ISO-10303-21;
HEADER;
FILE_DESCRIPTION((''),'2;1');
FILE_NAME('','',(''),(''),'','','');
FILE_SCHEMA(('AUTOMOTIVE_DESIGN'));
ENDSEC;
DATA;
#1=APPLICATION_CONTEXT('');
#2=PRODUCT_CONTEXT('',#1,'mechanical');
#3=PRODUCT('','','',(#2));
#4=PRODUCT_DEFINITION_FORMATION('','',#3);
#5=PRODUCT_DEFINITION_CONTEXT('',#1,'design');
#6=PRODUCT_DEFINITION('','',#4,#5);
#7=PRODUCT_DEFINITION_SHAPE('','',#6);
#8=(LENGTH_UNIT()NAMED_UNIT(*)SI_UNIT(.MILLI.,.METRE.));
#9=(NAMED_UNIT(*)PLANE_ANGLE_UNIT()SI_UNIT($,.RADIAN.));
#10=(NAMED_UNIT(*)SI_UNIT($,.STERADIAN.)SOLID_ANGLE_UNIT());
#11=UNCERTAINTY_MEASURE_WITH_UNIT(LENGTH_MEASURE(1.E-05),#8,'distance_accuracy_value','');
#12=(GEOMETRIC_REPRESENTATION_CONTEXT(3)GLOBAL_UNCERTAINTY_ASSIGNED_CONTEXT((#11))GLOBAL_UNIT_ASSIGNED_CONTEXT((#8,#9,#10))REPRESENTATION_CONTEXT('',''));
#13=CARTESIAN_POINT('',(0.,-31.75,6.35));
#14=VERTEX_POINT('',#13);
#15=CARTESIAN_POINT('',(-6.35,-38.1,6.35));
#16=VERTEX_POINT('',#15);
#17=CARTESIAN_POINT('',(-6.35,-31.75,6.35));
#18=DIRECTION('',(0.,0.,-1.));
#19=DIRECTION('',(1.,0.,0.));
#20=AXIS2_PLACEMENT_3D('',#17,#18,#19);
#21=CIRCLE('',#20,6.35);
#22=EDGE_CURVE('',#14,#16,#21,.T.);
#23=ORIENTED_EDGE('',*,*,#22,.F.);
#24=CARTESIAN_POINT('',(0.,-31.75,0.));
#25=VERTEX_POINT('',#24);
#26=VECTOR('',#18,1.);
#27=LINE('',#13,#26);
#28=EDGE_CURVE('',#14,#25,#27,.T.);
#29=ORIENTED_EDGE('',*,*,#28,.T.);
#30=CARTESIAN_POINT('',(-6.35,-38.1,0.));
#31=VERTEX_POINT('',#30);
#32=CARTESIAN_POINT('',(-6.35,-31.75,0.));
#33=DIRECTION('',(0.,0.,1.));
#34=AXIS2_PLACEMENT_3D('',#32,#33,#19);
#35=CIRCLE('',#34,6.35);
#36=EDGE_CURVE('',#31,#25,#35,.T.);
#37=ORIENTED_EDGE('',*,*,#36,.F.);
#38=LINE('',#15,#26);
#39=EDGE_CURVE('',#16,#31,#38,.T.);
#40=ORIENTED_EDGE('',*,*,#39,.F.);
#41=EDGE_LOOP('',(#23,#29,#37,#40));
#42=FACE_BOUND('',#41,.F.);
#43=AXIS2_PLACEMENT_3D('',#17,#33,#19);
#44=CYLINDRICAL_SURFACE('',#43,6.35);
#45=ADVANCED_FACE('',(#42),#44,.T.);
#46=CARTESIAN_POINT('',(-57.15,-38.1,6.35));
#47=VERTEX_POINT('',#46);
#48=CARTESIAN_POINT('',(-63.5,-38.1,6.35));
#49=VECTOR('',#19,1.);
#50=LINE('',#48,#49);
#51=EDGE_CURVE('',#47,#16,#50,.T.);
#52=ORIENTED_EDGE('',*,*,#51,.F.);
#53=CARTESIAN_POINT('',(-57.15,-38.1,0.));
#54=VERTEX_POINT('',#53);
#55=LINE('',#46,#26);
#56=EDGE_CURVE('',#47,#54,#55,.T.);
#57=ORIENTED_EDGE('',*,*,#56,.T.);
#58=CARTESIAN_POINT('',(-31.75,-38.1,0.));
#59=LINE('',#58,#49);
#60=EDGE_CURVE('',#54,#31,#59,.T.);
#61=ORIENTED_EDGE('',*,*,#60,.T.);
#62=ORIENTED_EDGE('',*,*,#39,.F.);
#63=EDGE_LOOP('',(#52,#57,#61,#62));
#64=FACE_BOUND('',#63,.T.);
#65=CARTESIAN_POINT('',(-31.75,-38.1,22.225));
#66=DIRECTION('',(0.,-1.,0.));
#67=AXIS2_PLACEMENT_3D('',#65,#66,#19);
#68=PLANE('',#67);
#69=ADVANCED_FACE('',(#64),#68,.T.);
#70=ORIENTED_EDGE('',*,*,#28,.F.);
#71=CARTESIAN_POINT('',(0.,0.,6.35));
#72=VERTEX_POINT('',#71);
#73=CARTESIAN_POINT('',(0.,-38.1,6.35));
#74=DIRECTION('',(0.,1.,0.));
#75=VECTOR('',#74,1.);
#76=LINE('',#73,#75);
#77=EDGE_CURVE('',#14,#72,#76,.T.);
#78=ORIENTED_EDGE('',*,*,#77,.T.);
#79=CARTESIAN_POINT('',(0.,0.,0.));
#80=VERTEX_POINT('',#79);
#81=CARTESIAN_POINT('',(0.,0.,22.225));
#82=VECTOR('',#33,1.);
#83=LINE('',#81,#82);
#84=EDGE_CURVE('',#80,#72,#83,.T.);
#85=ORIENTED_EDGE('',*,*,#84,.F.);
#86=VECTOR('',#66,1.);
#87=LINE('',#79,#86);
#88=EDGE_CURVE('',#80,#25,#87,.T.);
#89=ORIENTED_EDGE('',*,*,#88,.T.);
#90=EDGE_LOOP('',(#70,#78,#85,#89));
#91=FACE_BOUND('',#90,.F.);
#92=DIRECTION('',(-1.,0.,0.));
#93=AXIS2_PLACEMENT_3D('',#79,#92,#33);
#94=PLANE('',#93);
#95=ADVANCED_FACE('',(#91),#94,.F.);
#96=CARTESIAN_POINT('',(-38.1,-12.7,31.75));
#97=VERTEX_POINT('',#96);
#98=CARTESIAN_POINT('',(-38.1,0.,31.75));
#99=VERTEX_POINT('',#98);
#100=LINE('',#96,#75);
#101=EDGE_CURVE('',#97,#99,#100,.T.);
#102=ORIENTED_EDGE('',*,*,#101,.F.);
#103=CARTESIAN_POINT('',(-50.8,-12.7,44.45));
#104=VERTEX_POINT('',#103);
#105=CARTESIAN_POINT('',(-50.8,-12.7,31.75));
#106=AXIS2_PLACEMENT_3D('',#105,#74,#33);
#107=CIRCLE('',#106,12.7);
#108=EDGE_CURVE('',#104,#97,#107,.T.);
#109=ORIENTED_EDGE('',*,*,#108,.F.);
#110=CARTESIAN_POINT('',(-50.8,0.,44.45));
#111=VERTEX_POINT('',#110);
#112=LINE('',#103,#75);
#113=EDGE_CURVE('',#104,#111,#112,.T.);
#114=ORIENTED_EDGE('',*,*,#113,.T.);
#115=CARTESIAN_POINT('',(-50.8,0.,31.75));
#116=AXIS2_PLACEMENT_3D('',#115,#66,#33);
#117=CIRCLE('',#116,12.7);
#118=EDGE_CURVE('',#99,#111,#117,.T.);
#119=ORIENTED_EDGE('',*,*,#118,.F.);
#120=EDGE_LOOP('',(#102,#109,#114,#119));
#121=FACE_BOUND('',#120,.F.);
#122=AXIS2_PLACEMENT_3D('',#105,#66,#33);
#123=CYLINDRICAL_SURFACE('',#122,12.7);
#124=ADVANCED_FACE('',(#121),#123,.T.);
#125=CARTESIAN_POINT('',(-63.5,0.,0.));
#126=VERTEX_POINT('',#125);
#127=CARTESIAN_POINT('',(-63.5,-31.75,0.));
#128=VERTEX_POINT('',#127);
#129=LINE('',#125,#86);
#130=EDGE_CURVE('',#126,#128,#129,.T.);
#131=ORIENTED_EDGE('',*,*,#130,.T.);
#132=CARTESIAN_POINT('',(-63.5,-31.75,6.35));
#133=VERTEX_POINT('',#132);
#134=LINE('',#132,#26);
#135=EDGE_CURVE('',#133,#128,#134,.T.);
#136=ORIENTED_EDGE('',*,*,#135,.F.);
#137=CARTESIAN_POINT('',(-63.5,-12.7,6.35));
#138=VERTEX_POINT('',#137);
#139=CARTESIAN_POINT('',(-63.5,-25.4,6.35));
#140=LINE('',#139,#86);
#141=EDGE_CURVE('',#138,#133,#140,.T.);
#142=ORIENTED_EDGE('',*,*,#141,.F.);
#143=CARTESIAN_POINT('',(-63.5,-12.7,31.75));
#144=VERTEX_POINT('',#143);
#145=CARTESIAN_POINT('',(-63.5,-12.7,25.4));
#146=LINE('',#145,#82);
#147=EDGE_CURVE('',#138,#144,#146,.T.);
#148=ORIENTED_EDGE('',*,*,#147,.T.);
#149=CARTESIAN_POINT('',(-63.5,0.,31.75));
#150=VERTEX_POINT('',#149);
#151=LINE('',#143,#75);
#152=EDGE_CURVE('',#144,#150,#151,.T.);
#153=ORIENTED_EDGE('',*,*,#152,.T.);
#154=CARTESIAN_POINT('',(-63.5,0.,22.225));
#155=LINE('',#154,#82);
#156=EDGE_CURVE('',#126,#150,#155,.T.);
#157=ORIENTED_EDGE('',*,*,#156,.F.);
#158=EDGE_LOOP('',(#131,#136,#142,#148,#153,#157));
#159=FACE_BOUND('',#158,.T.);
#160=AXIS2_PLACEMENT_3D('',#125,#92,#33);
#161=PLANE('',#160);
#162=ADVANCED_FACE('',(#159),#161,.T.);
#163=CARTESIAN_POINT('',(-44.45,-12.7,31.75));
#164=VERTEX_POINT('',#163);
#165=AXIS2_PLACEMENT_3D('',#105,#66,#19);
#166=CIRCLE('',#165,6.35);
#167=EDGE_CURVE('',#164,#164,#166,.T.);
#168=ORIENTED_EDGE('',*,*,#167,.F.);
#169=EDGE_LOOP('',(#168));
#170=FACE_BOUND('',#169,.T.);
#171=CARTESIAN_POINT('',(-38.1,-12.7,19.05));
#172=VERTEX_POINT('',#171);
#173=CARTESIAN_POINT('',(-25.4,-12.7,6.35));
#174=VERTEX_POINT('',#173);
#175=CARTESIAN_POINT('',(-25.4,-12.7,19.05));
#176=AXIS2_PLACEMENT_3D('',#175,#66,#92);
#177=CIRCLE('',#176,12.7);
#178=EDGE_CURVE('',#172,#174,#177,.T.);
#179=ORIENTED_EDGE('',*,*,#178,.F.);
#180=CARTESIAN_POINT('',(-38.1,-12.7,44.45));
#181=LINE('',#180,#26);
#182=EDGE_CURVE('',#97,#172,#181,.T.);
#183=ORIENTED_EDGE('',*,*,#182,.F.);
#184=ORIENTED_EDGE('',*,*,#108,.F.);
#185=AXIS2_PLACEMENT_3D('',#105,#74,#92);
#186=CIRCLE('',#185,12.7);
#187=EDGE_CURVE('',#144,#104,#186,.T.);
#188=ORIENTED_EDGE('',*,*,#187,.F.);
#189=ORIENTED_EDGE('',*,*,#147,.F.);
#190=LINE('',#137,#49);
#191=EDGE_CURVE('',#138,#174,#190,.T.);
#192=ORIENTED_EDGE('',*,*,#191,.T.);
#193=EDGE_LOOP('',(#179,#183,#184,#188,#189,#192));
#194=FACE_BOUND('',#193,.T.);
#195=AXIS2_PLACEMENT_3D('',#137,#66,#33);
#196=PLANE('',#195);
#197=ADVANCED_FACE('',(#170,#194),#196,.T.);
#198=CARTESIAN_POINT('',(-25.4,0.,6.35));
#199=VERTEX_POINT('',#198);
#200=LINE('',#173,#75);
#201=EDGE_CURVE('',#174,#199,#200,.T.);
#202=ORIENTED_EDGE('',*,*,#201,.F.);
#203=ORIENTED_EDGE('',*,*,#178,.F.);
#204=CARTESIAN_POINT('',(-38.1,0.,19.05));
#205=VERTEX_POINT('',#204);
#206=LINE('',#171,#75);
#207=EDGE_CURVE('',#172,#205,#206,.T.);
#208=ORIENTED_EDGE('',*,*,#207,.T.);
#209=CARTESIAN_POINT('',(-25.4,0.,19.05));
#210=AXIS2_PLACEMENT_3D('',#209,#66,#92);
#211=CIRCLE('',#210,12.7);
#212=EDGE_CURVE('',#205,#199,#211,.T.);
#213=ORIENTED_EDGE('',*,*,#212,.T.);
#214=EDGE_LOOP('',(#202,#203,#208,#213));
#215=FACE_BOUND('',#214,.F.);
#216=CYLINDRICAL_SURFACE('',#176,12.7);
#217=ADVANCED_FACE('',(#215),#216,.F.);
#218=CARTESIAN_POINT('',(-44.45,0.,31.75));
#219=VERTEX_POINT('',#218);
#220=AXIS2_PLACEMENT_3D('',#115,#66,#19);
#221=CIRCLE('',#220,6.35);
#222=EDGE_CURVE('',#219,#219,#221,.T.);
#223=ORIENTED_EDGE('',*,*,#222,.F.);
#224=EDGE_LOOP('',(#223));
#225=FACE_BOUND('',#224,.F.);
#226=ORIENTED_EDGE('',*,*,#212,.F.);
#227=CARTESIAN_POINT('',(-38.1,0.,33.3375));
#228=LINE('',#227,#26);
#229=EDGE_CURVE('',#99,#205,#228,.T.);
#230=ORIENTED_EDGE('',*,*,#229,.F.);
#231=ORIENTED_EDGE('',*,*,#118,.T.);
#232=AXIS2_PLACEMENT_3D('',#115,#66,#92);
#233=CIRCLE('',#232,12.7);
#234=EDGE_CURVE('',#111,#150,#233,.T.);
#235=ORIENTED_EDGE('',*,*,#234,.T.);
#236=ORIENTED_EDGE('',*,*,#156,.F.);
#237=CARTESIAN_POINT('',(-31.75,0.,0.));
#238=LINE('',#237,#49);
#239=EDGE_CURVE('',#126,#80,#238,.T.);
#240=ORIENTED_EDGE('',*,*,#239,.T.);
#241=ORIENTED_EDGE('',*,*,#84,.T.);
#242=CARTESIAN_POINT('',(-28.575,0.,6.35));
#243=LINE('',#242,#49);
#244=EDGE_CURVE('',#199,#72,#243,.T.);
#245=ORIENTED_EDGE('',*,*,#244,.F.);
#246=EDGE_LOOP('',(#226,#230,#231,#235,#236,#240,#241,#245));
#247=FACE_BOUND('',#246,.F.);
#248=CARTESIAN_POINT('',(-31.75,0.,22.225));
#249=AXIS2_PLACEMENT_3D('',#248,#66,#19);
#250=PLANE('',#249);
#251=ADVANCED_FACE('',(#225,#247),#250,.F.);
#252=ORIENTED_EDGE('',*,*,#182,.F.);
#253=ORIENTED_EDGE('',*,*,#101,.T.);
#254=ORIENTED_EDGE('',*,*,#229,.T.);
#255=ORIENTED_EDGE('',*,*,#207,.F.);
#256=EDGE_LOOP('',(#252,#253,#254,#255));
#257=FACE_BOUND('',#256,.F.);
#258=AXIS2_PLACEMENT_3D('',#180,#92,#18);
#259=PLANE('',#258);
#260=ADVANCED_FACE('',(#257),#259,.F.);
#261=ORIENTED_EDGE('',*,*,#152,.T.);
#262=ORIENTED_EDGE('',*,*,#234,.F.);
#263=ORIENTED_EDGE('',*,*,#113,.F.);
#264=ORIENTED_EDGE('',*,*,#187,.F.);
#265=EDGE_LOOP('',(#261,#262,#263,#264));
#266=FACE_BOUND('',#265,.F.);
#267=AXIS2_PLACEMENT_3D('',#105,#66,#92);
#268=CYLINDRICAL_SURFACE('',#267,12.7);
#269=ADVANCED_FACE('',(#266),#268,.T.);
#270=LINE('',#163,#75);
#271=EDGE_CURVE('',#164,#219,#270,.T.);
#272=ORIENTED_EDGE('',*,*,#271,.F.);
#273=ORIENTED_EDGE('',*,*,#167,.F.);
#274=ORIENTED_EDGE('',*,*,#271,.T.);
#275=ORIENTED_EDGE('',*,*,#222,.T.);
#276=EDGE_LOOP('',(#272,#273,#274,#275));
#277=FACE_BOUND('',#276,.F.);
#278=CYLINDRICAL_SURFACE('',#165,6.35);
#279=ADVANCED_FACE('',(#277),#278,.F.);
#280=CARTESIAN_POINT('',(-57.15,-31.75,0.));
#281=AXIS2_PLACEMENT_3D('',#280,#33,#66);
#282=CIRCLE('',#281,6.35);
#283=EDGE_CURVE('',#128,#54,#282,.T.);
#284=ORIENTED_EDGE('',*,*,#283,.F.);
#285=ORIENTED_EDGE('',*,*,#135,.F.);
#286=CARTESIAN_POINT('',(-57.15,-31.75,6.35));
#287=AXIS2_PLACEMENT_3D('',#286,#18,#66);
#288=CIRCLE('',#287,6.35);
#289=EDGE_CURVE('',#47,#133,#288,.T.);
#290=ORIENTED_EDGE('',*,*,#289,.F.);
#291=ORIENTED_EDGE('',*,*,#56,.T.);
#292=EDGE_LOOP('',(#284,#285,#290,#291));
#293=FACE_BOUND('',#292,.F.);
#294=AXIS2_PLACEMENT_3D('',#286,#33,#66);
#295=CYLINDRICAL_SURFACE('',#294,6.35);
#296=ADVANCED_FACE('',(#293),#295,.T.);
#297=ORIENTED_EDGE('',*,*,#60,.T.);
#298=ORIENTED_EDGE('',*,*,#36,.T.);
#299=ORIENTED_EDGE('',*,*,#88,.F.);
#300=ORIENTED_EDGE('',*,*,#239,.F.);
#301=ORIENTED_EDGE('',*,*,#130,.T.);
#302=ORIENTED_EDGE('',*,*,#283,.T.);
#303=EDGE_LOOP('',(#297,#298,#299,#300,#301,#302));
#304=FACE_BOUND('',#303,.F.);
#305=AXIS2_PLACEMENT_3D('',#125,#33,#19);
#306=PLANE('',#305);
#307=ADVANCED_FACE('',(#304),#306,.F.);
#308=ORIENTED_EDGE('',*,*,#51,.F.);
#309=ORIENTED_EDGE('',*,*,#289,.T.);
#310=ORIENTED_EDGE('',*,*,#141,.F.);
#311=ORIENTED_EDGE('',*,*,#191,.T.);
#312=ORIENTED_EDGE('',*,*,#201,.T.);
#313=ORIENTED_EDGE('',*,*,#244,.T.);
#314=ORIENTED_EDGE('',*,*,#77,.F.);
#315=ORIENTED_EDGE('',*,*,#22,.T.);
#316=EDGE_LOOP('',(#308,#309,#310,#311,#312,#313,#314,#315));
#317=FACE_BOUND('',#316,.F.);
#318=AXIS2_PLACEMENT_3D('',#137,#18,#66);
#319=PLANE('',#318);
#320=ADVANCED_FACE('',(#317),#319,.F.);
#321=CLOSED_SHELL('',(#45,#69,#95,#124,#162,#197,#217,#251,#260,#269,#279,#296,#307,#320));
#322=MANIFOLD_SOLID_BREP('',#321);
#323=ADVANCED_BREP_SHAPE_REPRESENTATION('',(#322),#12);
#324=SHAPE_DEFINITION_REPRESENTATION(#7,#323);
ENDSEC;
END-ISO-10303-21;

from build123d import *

# Parameters (mm, degrees)
F0_W      = 63.5
F0_H      = 44.45
F1_DEPTH  = 38.1
F2_W      = 25.4
F2_H      = 38.1
F3_DEPTH  = 63.501
F4_W      = 25.4
F4_H      = 38.1
F5_DEPTH  = 12.701
F7_DEPTH  = 12.701
F8_R      = 6.35
F9_DEPTH  = 12.701
F11_DEPTH = 12.701
F13_DEPTH = 12.701
F15_DEPTH = 25.4
F17_DEPTH = 6.351


with BuildPart() as f1:
    # F0 (on Front) → F1 (new body)
    with BuildSketch(Plane.XZ):
        with Locations((-31.75, 22.225)):
            Rectangle(F0_W, F0_H)
    extrude(amount=F1_DEPTH)

    # F2 (on face) → F3 (cut, through all)
    with BuildSketch(Plane(origin=(-63.5, 0, 0), x_dir=(0, -1, 0), z_dir=(-1, 0, 0))):
        with Locations((25.4, 25.4)):
            Rectangle(F2_W, F2_H)
    extrude(amount=-F3_DEPTH, mode=Mode.SUBTRACT)

    # F4 (on face) → F5 (cut, through all)
    with BuildSketch(Plane.XZ.offset(12.7)):
        with Locations((-12.7, 25.4)):
            Rectangle(F4_W, F4_H)
    extrude(amount=-F5_DEPTH, mode=Mode.SUBTRACT)

    # F6 (on face) → F7 (cut, through all)
    with BuildSketch(Plane.XZ.offset(12.7)):
        with BuildLine():
            Line((-38.1, 44.45), (-50.8, 44.45))
            ThreePointArc((-50.8, 44.45), (-41.8197438789, 40.7302561211), (-38.1, 31.75))
            Line((-38.1, 31.75), (-38.1, 44.45))
        make_face()
        with BuildLine():
            Line((-50.8, 44.45), (-63.5, 44.45))
            Line((-63.5, 44.45), (-63.5, 31.75))
            ThreePointArc((-63.5, 31.75), (-59.7802561211, 40.7302561211), (-50.8, 44.45))
        make_face()
    extrude(amount=-F7_DEPTH, mode=Mode.SUBTRACT)

    # F8 (on face) → F9 (cut, through all)
    with BuildSketch(Plane.XZ.offset(12.7)):
        with Locations((-50.8, 31.75)):
            Circle(F8_R)
    extrude(amount=-F9_DEPTH, mode=Mode.SUBTRACT)

    # F10 (on face) → F11 (cut, through all)
    with BuildSketch(Plane.XZ.offset(12.7)):
        Polygon((-38.1, 44.45), (-38.1, 31.75), (-38.1, 19.05), (-25.4, 19.05), (-25.4, 44.45), align=None)
    extrude(amount=-F11_DEPTH, mode=Mode.SUBTRACT)

    # F12 (on face) → F13 (cut, through all)
    with BuildSketch(Plane.XZ.offset(12.7)):
        with BuildLine():
            Line((-25.4, 19.05), (-38.1, 19.05))
            ThreePointArc((-38.1, 19.05), (-34.3802561211, 10.0697438789), (-25.4, 6.35))
            Line((-25.4, 6.35), (-25.4, 19.05))
        make_face()
    extrude(amount=-F13_DEPTH, mode=Mode.SUBTRACT)

    # F14 (on face) → F15 (cut)
    with BuildSketch(Plane.XY.offset(6.35)):
        with BuildLine():
            Line((-63.5, -31.75), (-63.5, -38.1))
            Line((-63.5, -38.1), (-57.15, -38.1))
            ThreePointArc((-57.15, -38.1), (-61.6401280605, -36.2401280605), (-63.5, -31.75))
        make_face()
    extrude(amount=-F15_DEPTH, mode=Mode.SUBTRACT)

    # F16 (on face) → F17 (cut, through all)
    with BuildSketch(Plane.XY.offset(6.35)):
        with BuildLine():
            Line((-6.35, -38.1), (0, -38.1))
            Line((0, -38.1), (0, -31.75))
            ThreePointArc((0, -31.75), (-1.8598719395, -36.2401280605), (-6.35, -38.1))
        make_face()
    extrude(amount=-F17_DEPTH, mode=Mode.SUBTRACT)


solid = f1.part
